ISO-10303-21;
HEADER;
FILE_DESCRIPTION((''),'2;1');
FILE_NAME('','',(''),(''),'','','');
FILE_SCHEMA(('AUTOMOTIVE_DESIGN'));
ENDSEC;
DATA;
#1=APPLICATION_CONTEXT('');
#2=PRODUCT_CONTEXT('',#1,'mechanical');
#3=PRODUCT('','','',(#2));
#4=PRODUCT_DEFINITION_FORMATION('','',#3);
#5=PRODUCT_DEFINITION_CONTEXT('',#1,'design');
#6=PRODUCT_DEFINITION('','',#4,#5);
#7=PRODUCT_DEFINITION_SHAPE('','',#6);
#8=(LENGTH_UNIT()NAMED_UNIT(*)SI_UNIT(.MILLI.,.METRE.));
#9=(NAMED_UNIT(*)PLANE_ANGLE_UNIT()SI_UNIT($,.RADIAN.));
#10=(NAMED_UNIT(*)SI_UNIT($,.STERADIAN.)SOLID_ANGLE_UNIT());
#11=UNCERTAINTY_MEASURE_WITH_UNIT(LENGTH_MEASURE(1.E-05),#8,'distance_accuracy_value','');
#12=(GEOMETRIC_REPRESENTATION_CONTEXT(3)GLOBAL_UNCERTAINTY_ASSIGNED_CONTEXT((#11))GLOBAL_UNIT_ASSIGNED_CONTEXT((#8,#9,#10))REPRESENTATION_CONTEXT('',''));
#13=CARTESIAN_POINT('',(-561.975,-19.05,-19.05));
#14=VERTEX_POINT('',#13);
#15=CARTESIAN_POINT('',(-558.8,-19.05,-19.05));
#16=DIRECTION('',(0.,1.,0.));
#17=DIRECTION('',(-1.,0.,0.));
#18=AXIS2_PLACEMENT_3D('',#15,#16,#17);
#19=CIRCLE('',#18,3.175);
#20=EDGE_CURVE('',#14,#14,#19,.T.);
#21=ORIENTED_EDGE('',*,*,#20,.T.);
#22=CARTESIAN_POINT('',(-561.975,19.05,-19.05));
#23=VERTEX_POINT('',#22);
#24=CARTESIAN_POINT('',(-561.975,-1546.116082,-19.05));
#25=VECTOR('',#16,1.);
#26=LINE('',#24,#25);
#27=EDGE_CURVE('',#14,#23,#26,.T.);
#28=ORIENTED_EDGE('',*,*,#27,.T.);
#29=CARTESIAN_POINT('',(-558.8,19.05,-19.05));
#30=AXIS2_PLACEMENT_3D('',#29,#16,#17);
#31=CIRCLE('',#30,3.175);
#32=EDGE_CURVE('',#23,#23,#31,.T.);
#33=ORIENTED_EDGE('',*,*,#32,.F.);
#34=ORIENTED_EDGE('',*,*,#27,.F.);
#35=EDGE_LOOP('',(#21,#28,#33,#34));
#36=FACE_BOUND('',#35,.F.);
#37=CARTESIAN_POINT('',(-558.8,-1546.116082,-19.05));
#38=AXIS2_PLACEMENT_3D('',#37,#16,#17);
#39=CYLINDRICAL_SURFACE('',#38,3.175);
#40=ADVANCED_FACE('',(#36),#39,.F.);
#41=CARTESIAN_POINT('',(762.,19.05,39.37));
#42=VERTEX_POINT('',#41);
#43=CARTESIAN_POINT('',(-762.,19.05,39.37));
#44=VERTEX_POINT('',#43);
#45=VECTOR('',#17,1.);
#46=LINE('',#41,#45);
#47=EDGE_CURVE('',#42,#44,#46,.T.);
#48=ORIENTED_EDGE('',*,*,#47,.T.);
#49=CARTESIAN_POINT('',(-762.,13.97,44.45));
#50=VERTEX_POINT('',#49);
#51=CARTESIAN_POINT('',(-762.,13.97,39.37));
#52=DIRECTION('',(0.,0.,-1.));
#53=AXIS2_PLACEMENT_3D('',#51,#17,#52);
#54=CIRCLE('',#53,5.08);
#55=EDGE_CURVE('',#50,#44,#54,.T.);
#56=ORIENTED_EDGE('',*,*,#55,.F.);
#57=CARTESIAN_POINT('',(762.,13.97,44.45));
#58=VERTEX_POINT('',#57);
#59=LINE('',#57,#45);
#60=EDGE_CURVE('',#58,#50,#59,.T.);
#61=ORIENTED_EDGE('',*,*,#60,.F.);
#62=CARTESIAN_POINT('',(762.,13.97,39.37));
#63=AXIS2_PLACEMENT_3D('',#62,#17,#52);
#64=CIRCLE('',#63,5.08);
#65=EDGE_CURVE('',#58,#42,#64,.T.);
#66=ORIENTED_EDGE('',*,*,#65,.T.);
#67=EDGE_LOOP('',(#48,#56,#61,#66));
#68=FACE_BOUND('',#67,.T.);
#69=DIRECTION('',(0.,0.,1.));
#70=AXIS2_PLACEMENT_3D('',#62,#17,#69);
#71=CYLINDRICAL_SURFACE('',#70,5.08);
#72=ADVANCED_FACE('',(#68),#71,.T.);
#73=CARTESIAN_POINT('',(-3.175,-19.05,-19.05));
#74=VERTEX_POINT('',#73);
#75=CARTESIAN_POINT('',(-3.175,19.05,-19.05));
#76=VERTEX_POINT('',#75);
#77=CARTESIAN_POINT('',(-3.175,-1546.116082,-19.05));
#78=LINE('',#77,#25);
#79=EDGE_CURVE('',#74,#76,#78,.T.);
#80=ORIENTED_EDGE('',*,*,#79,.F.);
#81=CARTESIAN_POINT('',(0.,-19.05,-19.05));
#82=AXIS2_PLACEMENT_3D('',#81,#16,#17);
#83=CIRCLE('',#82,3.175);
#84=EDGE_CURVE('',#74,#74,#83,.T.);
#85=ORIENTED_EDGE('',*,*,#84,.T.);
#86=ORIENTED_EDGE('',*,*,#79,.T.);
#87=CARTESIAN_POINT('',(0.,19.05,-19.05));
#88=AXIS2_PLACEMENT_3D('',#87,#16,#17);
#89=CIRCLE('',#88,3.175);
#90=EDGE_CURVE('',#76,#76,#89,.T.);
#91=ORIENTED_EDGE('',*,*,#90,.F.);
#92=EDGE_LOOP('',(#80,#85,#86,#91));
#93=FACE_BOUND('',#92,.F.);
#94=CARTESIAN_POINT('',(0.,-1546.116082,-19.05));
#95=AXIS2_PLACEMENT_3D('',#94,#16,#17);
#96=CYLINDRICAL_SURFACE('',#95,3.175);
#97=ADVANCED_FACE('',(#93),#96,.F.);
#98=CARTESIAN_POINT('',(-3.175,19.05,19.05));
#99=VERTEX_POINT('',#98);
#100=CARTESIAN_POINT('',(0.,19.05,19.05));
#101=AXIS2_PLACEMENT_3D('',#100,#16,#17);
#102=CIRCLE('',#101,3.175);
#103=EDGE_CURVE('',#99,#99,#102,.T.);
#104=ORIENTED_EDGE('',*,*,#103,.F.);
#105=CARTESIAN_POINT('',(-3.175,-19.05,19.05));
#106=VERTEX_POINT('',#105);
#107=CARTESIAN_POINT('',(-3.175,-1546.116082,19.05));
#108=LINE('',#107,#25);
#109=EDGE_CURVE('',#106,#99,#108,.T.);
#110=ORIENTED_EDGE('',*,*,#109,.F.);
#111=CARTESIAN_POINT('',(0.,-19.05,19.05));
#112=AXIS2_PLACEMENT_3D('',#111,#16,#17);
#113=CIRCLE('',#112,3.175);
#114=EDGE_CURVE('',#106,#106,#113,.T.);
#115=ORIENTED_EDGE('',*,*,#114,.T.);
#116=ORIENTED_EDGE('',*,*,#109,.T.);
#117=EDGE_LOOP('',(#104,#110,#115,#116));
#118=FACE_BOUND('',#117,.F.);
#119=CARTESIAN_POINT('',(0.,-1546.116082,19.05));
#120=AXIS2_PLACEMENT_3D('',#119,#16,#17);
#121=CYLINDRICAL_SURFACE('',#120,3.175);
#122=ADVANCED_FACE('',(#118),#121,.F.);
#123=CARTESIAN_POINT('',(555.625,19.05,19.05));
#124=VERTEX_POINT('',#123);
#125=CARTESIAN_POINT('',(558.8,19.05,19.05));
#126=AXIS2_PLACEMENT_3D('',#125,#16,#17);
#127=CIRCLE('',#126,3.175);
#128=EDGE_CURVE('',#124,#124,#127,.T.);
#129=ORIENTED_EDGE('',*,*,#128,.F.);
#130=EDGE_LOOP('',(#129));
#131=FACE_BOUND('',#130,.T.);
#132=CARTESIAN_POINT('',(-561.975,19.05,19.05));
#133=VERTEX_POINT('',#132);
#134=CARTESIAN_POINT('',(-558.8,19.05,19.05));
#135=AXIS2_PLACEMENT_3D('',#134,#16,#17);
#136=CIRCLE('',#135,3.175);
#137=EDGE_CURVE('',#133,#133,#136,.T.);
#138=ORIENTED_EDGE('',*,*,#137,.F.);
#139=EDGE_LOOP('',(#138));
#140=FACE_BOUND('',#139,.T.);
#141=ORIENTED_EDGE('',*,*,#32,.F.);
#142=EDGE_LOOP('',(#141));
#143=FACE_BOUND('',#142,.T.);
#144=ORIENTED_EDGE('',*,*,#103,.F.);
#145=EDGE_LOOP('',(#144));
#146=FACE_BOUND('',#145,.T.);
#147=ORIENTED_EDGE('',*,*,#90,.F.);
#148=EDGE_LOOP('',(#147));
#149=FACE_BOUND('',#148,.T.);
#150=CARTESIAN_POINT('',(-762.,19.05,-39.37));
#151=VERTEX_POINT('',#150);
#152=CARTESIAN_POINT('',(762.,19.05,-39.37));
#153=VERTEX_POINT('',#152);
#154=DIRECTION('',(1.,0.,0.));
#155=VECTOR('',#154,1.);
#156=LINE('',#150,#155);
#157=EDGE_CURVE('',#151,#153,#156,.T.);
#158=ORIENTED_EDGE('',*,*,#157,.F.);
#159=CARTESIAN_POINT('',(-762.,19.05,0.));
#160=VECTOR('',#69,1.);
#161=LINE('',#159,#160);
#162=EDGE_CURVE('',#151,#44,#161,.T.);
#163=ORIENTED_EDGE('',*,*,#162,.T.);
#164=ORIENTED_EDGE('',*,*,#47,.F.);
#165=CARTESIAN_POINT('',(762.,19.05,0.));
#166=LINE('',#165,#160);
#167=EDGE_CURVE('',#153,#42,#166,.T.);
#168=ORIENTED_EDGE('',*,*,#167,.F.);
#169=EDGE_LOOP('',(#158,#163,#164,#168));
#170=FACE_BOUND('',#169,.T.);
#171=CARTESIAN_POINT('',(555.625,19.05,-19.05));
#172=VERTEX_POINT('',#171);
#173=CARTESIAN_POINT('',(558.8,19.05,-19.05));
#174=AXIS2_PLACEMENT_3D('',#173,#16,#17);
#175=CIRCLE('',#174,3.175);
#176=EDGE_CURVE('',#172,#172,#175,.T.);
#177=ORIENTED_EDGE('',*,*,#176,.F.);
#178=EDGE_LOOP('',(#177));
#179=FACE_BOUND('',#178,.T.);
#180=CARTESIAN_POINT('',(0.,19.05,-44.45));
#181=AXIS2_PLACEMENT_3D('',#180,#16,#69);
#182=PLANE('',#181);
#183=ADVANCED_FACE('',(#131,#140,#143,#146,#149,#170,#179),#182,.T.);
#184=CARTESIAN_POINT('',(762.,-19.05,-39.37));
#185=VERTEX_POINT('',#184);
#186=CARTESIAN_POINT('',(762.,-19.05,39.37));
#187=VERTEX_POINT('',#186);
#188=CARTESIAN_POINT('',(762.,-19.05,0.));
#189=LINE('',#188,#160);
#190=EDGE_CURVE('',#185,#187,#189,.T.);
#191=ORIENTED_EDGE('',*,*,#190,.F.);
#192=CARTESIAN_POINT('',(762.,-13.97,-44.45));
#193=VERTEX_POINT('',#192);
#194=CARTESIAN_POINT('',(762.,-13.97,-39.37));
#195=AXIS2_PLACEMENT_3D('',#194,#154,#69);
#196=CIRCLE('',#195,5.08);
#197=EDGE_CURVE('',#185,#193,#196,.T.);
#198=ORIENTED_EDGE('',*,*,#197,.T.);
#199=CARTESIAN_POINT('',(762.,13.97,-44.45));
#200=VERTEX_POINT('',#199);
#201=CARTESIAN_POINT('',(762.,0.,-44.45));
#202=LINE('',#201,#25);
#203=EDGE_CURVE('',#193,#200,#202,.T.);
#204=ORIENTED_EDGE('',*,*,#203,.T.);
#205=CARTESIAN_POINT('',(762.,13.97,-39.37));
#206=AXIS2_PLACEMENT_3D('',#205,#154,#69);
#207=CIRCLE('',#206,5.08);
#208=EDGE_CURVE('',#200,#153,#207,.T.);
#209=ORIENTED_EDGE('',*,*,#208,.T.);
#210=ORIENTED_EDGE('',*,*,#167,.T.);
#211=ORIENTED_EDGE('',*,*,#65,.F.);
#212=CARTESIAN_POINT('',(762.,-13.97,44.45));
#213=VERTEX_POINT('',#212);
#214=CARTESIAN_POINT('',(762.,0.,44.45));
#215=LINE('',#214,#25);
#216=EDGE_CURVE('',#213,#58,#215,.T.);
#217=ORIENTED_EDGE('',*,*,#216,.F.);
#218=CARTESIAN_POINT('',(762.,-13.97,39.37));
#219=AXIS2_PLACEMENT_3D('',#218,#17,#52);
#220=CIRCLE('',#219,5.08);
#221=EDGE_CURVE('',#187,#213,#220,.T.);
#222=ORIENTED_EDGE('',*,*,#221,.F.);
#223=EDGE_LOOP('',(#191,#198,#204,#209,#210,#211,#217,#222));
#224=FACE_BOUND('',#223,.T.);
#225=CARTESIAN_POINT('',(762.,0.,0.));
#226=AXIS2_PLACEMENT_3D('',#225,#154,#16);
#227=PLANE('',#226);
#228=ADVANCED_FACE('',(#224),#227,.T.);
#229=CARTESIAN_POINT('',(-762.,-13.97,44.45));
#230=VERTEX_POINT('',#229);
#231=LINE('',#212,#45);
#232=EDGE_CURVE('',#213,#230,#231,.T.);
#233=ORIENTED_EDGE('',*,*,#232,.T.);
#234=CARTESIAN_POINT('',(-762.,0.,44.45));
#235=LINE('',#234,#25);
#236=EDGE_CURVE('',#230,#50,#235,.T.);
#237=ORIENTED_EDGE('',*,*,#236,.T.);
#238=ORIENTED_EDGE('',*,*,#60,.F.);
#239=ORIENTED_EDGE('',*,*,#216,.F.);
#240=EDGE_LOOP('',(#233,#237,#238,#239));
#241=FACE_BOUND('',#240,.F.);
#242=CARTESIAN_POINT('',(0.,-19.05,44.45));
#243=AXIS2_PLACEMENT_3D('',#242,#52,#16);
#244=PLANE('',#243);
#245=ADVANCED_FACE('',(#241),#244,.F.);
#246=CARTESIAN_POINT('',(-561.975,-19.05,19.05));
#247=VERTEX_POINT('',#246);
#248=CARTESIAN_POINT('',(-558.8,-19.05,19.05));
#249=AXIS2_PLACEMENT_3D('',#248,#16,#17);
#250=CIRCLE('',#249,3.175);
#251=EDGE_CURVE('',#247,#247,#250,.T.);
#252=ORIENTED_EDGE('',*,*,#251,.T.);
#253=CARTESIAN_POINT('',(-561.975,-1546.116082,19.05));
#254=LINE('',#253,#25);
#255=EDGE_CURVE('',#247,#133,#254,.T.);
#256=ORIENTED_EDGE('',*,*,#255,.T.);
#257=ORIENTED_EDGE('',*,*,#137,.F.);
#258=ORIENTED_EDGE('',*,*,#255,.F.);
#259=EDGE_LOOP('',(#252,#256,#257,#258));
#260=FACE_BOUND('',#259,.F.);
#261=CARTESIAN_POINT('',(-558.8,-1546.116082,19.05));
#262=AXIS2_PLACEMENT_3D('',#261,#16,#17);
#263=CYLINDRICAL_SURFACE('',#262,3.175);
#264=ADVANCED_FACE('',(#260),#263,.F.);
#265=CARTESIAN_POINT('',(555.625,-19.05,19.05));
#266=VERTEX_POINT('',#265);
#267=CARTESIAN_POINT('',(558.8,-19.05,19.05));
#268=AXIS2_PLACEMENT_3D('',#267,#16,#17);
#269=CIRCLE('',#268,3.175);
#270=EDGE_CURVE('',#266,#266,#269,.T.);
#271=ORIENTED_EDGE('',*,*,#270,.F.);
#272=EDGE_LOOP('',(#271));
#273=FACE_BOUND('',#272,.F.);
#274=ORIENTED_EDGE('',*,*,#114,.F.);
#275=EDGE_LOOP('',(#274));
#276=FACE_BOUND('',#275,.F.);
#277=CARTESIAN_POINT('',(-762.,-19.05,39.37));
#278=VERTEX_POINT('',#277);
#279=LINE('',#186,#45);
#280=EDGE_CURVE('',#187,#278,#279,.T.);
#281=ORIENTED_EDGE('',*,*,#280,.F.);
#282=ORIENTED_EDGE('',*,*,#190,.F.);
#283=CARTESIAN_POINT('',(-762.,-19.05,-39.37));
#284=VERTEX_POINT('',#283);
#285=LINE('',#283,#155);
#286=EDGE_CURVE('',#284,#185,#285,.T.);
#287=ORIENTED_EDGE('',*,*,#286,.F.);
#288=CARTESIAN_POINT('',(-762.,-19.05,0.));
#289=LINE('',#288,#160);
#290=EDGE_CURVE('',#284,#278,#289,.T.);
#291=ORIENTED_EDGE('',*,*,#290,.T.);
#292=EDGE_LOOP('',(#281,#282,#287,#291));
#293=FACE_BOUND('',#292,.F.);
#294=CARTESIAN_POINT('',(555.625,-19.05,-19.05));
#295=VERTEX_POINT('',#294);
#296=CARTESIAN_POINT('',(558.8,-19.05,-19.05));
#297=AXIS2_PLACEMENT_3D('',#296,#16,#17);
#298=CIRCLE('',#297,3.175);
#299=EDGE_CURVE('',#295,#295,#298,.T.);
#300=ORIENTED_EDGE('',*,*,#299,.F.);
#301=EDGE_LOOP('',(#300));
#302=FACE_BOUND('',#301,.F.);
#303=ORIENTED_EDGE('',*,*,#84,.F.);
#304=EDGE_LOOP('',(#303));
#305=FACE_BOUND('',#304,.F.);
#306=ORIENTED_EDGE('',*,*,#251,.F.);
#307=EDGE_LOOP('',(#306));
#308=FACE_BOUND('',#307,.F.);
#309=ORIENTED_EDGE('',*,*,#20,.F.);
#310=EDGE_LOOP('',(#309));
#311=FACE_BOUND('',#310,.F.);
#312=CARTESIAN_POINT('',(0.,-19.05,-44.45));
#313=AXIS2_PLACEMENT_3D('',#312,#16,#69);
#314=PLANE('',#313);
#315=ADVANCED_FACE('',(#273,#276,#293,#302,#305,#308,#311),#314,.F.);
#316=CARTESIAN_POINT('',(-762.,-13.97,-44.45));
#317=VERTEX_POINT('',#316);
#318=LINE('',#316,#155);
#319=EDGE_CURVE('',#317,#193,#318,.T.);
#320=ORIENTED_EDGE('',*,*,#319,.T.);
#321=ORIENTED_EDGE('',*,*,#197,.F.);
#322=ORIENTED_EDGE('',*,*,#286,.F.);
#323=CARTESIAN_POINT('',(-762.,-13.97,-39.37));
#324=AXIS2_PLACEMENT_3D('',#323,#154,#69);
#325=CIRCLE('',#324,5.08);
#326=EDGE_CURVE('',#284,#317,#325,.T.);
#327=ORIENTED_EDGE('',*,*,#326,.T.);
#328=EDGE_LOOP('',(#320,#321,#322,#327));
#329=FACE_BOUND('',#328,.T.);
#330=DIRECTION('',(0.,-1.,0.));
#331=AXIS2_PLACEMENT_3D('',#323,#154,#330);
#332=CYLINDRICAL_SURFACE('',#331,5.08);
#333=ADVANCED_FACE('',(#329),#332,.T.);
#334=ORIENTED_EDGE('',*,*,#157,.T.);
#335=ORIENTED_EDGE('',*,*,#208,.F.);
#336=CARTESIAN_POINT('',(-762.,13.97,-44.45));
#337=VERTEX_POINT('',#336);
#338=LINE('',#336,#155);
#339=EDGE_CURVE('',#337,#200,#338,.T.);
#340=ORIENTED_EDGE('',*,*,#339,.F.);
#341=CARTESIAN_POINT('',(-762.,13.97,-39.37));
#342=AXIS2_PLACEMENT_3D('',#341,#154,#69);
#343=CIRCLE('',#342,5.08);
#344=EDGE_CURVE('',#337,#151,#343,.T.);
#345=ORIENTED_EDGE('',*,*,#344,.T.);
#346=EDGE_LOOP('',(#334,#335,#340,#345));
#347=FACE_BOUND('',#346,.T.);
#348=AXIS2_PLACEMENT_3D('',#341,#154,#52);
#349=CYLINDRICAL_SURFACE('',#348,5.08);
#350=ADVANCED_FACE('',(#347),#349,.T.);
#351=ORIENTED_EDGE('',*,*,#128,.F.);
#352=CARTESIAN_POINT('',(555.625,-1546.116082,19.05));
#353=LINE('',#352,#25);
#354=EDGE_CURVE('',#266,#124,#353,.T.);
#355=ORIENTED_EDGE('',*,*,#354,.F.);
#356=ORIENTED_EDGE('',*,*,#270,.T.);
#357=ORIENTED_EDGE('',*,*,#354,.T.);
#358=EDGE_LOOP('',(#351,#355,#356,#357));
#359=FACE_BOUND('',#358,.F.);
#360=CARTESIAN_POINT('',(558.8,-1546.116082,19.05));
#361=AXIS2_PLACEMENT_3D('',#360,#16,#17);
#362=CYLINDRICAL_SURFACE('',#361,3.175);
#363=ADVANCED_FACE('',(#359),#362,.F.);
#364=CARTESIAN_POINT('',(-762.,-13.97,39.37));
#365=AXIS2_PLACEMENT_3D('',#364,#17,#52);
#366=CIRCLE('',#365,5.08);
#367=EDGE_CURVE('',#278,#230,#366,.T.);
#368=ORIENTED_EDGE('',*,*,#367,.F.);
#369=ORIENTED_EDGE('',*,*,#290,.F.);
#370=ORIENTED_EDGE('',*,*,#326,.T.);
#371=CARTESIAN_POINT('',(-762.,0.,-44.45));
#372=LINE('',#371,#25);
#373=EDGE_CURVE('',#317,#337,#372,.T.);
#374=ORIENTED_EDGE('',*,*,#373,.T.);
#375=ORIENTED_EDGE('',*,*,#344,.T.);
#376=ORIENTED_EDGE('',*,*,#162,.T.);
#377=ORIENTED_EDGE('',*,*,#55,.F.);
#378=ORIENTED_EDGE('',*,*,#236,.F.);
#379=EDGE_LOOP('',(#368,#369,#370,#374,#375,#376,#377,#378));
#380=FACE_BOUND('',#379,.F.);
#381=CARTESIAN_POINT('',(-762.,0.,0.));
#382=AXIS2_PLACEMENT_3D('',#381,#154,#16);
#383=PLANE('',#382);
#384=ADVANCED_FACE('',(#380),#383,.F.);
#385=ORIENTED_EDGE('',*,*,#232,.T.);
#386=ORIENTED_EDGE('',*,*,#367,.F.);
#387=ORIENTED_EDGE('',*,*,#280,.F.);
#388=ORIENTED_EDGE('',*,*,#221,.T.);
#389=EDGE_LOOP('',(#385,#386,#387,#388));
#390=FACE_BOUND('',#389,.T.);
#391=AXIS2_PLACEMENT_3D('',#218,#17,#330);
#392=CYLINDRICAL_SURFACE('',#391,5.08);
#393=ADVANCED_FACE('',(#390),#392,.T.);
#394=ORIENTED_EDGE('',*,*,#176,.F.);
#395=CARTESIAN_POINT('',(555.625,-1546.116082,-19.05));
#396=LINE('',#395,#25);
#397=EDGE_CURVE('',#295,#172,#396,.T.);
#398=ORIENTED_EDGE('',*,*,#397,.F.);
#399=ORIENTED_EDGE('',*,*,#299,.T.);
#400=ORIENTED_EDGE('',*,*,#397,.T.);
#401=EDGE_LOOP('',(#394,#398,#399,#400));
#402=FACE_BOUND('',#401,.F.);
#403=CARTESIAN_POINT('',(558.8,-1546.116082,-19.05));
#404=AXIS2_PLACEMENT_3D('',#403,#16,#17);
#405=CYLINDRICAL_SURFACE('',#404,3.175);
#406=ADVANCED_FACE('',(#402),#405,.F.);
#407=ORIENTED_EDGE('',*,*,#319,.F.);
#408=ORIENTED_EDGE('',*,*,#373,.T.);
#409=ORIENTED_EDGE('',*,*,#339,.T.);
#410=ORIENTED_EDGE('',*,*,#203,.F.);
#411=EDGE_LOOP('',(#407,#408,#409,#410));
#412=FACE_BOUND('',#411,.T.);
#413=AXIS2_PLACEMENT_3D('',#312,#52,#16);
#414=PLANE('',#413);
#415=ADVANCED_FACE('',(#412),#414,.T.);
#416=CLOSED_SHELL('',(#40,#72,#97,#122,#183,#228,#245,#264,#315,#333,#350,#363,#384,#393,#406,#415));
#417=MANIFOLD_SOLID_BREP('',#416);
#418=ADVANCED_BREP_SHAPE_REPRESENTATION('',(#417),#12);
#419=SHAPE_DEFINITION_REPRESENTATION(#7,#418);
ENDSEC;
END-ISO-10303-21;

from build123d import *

# Parameters (mm, degrees)
F0_W     = 38.1
F0_H     = 88.9
F1_DEPTH = 762
F3_D     = 6.35
F4_R     = 5.08
F6_D     = 6.35


with BuildPart() as f1:
    # F0 (on Right) → F1 (new body, symmetric)
    with BuildSketch(Plane.YZ):
        Rectangle(F0_W, F0_H)
    extrude(amount=F1_DEPTH, both=True)

    # F3 (through all)
    with Locations(Plane.XZ.offset(19.05)):
        with Locations((-558.8, 19.05), (-558.8, -19.05), (558.8, -19.05), (558.8, 19.05)):
            Hole(F3_D / 2)

    # F4
    f4_edges = [f1.edges().sort_by_distance(p)[0] for p in [
        (0, -19.05, 44.45),
        (0, 19.05, 44.45),
        (0, 19.05, -44.45),
        (0, -19.05, -44.45),
    ]]
    fillet(f4_edges, radius=F4_R)

    # F6 (through all)
    with Locations(Plane.XZ.offset(19.05)):
        with Locations((0, 19.05), (0, -19.05)):
            Hole(F6_D / 2)


solid = f1.part
